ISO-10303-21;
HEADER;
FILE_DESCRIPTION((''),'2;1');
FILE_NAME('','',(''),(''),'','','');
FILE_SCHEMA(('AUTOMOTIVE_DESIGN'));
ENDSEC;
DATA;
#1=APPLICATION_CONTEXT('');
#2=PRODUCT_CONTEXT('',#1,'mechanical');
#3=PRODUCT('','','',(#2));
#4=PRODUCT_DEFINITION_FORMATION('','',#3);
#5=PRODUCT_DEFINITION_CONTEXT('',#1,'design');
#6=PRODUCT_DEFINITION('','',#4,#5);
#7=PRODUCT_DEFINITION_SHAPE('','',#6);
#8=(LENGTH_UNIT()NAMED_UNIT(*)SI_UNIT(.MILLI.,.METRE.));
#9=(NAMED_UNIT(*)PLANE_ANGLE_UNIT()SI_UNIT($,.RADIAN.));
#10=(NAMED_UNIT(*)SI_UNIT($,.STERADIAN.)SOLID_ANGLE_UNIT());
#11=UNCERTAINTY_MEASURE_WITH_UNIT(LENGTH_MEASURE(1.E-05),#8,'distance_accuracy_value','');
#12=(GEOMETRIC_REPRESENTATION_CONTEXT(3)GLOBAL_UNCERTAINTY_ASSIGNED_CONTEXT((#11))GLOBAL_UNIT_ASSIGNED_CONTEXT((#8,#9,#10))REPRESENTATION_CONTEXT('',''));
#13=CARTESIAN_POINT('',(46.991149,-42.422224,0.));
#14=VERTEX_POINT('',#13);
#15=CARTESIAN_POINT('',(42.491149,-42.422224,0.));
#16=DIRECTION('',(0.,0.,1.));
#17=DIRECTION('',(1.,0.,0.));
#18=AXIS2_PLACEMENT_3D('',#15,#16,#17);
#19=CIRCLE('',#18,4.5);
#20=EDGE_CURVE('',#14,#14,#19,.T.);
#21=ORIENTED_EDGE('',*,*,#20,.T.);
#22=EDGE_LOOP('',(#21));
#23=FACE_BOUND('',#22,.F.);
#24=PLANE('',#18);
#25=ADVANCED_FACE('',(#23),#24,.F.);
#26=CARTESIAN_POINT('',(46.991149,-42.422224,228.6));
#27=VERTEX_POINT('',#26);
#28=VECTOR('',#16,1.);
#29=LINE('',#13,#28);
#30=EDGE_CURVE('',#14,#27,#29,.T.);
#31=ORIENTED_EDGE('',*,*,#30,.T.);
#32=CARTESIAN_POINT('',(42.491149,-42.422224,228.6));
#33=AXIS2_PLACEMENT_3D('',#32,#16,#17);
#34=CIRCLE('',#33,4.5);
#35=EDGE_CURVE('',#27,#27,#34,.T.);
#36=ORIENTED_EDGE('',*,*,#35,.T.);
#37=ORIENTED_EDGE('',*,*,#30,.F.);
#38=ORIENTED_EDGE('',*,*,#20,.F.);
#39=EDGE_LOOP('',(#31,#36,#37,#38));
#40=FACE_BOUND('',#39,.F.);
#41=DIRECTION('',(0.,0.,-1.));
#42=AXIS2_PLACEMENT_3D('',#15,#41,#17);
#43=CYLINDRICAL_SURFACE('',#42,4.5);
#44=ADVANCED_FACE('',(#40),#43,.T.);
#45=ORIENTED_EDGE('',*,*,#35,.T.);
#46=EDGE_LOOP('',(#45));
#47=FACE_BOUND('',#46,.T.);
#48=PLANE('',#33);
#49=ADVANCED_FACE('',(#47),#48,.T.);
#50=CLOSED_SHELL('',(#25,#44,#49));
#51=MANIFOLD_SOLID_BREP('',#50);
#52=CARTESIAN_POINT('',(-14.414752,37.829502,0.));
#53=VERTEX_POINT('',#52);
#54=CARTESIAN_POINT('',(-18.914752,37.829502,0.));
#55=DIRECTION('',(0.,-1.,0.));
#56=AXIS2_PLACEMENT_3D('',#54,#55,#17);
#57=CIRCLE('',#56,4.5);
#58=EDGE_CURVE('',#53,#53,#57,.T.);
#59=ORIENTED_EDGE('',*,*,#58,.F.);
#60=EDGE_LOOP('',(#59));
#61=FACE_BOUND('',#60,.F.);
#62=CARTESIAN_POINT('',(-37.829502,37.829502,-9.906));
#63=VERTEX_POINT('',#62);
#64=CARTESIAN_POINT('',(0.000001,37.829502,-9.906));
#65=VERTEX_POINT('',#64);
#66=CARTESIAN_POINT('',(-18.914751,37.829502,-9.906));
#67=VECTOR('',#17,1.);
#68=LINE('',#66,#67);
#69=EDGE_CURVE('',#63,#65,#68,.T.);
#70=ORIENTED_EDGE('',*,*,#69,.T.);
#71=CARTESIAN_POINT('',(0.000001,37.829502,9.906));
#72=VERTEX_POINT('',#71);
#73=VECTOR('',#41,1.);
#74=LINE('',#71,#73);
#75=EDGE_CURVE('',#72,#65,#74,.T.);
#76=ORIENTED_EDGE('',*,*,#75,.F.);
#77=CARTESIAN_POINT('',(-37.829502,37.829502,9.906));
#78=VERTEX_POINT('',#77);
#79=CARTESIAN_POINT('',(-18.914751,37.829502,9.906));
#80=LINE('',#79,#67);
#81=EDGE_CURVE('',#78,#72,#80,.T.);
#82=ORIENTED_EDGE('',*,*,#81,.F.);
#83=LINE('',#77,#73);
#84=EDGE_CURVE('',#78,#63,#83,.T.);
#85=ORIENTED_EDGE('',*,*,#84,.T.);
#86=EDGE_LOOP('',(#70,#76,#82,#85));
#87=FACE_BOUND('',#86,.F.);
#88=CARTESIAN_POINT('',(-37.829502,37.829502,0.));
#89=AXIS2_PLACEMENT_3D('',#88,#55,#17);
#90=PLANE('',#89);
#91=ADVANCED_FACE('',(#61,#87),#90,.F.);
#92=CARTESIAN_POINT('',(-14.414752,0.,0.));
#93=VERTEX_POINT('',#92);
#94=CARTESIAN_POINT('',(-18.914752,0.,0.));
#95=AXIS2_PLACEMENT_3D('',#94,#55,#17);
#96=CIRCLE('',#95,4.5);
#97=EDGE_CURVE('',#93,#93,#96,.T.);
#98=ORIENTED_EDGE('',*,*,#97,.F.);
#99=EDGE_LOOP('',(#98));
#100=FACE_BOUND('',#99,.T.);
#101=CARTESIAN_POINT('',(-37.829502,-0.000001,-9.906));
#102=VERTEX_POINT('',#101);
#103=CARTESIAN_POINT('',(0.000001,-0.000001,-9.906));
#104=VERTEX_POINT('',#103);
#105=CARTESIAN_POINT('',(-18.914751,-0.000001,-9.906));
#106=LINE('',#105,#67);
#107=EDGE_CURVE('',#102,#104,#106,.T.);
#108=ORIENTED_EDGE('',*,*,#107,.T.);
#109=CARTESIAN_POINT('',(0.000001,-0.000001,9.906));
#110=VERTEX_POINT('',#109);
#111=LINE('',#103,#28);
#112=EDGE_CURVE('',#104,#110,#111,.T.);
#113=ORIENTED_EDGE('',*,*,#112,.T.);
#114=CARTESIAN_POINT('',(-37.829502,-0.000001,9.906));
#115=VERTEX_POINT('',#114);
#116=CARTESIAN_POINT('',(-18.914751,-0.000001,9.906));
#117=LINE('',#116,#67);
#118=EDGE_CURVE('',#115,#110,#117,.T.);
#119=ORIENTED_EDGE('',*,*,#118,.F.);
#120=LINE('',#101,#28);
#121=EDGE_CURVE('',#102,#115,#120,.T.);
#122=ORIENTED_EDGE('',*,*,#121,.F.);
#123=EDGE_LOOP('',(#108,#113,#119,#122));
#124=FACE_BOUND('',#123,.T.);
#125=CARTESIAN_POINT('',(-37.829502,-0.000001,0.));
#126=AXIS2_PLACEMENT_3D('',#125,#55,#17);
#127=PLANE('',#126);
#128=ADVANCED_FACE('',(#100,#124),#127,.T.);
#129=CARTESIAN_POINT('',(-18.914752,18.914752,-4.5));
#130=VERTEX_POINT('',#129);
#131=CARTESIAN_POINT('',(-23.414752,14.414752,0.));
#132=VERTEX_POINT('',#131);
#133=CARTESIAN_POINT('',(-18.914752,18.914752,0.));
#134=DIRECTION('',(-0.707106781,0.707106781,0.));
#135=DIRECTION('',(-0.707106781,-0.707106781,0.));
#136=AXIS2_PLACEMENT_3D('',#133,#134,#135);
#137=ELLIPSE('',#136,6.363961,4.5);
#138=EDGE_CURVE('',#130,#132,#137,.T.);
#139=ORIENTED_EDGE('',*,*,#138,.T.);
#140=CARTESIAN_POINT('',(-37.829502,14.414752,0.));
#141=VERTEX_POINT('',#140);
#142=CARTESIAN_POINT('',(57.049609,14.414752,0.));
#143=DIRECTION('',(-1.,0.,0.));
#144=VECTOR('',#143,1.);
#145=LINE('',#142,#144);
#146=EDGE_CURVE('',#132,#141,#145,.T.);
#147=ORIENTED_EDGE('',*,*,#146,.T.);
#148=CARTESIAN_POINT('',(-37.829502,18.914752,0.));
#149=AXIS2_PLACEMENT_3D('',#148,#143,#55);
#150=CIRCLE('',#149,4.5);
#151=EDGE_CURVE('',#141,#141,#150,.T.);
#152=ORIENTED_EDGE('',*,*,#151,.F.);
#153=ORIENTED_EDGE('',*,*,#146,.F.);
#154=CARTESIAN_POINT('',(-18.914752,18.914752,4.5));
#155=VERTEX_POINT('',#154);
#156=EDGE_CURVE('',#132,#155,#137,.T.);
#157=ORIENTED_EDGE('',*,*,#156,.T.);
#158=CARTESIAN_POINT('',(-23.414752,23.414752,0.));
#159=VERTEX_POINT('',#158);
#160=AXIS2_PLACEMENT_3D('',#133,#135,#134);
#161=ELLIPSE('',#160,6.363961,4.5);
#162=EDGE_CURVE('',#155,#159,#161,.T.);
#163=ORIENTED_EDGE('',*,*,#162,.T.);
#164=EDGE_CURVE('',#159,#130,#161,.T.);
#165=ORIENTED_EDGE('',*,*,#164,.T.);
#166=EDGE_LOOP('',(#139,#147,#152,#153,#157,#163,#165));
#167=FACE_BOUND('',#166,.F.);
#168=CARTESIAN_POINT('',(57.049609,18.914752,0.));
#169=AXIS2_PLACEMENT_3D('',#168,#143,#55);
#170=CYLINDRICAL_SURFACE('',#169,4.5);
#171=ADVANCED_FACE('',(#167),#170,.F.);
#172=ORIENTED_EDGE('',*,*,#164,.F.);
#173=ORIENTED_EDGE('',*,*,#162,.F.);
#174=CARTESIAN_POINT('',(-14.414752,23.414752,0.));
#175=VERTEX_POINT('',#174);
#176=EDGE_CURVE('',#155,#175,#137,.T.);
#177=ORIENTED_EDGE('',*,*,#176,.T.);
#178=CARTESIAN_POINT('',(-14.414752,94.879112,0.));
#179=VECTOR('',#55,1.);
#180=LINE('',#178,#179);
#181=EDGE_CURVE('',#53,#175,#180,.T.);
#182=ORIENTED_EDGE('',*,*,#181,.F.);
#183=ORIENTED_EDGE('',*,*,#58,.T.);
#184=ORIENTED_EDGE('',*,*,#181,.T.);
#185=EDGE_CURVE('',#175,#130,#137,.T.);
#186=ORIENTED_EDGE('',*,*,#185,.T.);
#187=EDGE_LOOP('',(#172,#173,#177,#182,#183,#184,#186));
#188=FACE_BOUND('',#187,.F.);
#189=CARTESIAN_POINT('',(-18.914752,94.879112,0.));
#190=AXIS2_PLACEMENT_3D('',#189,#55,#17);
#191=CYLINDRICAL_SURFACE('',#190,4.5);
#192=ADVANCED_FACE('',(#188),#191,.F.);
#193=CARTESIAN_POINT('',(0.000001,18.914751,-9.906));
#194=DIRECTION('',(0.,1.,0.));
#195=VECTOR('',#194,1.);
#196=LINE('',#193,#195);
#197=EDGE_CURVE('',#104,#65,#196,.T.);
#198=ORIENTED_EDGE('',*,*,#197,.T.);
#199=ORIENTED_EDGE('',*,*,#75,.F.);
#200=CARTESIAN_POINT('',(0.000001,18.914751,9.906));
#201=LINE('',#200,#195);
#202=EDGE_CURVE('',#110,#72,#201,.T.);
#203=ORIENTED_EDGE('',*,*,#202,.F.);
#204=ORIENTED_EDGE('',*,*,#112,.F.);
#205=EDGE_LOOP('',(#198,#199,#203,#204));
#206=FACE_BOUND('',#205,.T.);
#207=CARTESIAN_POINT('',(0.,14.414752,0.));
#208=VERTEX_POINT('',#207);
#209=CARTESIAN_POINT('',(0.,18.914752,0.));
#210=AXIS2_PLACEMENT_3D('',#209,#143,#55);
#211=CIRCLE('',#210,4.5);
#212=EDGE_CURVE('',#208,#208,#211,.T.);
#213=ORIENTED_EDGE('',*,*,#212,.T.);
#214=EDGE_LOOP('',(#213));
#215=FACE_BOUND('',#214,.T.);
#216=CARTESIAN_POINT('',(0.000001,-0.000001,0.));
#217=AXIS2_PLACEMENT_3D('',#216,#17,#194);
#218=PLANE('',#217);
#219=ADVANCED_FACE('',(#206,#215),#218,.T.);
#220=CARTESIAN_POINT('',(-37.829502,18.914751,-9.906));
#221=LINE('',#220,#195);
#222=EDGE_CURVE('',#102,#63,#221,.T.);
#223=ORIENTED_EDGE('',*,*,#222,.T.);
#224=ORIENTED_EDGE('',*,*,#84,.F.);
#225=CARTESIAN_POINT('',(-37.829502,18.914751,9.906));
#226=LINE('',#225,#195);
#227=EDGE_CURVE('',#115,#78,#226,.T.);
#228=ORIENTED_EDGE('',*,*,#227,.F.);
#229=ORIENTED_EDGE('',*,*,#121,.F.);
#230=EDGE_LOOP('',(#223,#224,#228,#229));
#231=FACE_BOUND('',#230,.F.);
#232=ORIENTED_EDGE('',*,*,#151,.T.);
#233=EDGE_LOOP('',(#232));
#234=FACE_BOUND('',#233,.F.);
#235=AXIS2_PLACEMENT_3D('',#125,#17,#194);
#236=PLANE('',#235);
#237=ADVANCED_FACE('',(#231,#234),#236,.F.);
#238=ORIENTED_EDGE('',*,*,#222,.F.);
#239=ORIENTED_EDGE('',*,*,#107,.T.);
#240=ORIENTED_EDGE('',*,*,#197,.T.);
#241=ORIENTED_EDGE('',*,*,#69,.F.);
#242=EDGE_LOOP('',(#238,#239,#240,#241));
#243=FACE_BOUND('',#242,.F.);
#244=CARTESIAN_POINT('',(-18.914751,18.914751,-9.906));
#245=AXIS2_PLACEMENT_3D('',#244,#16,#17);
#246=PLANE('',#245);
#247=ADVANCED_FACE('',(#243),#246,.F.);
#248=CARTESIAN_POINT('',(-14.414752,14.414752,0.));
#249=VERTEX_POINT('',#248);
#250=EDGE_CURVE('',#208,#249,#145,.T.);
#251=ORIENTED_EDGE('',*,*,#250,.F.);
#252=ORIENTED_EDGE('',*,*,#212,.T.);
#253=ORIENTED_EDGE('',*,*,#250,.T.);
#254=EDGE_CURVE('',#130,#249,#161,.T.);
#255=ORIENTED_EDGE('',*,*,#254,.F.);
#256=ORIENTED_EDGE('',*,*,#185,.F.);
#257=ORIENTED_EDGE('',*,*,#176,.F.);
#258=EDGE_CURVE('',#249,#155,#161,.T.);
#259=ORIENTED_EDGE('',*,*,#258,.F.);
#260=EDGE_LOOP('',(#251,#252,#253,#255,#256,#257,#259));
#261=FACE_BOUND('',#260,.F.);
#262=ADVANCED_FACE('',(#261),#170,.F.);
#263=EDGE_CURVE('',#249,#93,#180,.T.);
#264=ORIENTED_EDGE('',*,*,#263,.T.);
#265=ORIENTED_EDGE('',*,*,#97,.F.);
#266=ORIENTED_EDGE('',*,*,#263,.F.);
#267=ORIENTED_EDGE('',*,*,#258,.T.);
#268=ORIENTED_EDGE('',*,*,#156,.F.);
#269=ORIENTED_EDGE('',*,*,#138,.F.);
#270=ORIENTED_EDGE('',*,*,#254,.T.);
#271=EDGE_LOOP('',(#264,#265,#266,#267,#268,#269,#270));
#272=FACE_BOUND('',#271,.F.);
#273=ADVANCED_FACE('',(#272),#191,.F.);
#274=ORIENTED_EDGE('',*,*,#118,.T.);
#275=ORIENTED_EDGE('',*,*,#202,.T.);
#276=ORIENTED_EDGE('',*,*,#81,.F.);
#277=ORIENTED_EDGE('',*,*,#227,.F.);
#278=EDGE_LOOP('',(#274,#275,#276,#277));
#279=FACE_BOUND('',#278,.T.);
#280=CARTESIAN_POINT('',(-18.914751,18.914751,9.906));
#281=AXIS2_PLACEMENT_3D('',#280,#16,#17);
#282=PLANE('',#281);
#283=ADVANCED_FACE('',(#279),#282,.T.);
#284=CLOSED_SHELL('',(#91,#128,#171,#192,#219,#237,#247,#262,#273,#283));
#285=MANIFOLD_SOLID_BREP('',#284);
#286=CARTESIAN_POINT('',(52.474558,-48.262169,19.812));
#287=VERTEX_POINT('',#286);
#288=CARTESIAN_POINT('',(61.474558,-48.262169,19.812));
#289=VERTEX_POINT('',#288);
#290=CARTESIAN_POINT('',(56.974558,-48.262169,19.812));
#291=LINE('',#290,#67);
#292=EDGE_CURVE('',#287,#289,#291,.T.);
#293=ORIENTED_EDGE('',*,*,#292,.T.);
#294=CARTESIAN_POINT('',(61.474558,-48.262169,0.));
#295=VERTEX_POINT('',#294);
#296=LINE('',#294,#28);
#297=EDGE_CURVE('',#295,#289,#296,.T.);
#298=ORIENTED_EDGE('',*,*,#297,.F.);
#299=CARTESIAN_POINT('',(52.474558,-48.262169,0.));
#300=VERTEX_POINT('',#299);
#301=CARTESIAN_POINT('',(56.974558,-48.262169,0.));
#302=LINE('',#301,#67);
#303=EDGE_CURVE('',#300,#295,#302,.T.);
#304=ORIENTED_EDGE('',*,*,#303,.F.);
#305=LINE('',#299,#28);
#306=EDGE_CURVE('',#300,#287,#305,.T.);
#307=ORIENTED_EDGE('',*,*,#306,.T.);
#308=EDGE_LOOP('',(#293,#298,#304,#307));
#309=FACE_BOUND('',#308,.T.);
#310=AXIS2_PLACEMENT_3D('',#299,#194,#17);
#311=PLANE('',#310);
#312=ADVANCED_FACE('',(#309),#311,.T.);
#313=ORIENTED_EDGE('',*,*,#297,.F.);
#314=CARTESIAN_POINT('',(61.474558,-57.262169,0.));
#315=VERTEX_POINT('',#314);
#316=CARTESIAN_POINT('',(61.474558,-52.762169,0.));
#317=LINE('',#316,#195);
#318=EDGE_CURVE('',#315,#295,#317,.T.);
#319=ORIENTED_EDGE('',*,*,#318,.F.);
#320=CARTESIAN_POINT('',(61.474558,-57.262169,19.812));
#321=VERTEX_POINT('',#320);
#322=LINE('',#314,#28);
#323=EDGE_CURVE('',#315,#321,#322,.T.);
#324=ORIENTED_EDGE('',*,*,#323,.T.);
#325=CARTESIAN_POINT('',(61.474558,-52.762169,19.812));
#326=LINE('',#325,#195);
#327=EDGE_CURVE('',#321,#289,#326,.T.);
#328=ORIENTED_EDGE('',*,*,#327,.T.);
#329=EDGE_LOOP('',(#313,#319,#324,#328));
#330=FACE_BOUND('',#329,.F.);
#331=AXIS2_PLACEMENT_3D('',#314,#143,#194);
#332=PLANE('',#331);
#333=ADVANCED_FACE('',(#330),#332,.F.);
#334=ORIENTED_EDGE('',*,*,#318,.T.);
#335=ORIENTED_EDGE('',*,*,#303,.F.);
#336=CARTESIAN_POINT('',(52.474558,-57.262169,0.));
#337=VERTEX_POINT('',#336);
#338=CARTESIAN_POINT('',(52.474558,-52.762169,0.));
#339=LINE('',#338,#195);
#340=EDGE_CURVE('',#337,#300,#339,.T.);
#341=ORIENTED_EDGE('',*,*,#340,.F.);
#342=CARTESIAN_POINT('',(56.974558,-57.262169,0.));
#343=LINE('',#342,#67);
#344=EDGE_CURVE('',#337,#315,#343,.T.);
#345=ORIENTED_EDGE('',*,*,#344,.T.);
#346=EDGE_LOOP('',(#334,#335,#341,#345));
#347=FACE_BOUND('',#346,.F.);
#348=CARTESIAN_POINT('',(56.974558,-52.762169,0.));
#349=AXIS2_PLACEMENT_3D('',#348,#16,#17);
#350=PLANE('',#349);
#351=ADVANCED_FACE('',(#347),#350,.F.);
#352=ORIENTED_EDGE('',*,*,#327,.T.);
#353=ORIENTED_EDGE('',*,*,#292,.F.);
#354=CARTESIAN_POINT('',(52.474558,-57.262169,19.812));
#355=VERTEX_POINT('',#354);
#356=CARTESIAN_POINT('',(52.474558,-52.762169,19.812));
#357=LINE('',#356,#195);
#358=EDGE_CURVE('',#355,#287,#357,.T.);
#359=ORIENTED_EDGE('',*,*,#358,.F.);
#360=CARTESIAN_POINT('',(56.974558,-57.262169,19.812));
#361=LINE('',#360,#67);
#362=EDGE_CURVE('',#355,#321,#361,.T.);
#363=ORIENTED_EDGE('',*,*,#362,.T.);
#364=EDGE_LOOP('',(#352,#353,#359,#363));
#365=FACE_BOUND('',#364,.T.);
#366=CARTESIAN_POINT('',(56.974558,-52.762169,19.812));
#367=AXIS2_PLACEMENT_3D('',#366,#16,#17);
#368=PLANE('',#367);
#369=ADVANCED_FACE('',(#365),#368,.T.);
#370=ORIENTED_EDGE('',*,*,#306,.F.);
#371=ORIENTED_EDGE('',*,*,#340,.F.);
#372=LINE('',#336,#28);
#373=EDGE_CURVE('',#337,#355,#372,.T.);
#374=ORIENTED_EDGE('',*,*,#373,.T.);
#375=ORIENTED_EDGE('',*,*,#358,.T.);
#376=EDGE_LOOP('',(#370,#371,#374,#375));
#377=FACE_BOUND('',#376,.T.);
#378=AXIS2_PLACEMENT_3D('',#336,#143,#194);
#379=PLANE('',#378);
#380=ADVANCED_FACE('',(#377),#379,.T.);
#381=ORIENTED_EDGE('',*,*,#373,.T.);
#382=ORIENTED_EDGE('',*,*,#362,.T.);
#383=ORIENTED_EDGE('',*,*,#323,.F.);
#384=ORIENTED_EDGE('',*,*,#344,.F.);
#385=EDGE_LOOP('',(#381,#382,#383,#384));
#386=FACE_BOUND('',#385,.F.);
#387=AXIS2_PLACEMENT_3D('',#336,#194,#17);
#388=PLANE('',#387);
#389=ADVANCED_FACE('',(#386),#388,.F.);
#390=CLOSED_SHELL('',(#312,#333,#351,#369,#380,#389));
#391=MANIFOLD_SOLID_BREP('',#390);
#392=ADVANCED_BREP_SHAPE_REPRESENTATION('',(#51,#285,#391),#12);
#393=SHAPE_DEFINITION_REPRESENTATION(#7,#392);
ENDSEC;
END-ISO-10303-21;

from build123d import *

# Parameters (mm, degrees)
F0_W      = 37.829503
F0_H      = 37.829503
F1_DEPTH  = 9.906
F6_D      = 9
F7_D      = 9
F8_R      = 4.5
F9_DEPTH  = 228.6
F10_W     = 9
F10_H     = 9
F11_DEPTH = 19.812


with BuildPart() as f1:
    # F0 (on Top) → F1 (new body, symmetric)
    with BuildSketch(Plane.XY):
        with Locations((-18.914751, 18.914751)):
            Rectangle(F0_W, F0_H)
    extrude(amount=F1_DEPTH, both=True)

    # F6 (through all)
    with Locations(Plane.YZ):
        with Locations((18.914752, 0), (-18.914752, 0)):
            Hole(F6_D / 2)

    # F7 (through all)
    with Locations(Plane(origin=(0, 37.829503, 0), x_dir=(-1, 0, 0), z_dir=(0, 1, 0))):
        with Locations((18.914752, 0), (-18.914752, 0)):
            Hole(F7_D / 2)


with BuildPart() as f9:
    # F8 (on Top) → F9 (new body)
    with BuildSketch(Plane.XY):
        with Locations((42.491149, -42.422224)):
            Circle(F8_R)
    extrude(amount=F9_DEPTH)


with BuildPart() as f11:
    # F10 (on Top) → F11 (new body)
    with BuildSketch(Plane.XY):
        with Locations((56.974558, -52.762169)):
            Rectangle(F10_W, F10_H)
    extrude(amount=F11_DEPTH)


solid = Compound([f1.part, f9.part, f11.part])
